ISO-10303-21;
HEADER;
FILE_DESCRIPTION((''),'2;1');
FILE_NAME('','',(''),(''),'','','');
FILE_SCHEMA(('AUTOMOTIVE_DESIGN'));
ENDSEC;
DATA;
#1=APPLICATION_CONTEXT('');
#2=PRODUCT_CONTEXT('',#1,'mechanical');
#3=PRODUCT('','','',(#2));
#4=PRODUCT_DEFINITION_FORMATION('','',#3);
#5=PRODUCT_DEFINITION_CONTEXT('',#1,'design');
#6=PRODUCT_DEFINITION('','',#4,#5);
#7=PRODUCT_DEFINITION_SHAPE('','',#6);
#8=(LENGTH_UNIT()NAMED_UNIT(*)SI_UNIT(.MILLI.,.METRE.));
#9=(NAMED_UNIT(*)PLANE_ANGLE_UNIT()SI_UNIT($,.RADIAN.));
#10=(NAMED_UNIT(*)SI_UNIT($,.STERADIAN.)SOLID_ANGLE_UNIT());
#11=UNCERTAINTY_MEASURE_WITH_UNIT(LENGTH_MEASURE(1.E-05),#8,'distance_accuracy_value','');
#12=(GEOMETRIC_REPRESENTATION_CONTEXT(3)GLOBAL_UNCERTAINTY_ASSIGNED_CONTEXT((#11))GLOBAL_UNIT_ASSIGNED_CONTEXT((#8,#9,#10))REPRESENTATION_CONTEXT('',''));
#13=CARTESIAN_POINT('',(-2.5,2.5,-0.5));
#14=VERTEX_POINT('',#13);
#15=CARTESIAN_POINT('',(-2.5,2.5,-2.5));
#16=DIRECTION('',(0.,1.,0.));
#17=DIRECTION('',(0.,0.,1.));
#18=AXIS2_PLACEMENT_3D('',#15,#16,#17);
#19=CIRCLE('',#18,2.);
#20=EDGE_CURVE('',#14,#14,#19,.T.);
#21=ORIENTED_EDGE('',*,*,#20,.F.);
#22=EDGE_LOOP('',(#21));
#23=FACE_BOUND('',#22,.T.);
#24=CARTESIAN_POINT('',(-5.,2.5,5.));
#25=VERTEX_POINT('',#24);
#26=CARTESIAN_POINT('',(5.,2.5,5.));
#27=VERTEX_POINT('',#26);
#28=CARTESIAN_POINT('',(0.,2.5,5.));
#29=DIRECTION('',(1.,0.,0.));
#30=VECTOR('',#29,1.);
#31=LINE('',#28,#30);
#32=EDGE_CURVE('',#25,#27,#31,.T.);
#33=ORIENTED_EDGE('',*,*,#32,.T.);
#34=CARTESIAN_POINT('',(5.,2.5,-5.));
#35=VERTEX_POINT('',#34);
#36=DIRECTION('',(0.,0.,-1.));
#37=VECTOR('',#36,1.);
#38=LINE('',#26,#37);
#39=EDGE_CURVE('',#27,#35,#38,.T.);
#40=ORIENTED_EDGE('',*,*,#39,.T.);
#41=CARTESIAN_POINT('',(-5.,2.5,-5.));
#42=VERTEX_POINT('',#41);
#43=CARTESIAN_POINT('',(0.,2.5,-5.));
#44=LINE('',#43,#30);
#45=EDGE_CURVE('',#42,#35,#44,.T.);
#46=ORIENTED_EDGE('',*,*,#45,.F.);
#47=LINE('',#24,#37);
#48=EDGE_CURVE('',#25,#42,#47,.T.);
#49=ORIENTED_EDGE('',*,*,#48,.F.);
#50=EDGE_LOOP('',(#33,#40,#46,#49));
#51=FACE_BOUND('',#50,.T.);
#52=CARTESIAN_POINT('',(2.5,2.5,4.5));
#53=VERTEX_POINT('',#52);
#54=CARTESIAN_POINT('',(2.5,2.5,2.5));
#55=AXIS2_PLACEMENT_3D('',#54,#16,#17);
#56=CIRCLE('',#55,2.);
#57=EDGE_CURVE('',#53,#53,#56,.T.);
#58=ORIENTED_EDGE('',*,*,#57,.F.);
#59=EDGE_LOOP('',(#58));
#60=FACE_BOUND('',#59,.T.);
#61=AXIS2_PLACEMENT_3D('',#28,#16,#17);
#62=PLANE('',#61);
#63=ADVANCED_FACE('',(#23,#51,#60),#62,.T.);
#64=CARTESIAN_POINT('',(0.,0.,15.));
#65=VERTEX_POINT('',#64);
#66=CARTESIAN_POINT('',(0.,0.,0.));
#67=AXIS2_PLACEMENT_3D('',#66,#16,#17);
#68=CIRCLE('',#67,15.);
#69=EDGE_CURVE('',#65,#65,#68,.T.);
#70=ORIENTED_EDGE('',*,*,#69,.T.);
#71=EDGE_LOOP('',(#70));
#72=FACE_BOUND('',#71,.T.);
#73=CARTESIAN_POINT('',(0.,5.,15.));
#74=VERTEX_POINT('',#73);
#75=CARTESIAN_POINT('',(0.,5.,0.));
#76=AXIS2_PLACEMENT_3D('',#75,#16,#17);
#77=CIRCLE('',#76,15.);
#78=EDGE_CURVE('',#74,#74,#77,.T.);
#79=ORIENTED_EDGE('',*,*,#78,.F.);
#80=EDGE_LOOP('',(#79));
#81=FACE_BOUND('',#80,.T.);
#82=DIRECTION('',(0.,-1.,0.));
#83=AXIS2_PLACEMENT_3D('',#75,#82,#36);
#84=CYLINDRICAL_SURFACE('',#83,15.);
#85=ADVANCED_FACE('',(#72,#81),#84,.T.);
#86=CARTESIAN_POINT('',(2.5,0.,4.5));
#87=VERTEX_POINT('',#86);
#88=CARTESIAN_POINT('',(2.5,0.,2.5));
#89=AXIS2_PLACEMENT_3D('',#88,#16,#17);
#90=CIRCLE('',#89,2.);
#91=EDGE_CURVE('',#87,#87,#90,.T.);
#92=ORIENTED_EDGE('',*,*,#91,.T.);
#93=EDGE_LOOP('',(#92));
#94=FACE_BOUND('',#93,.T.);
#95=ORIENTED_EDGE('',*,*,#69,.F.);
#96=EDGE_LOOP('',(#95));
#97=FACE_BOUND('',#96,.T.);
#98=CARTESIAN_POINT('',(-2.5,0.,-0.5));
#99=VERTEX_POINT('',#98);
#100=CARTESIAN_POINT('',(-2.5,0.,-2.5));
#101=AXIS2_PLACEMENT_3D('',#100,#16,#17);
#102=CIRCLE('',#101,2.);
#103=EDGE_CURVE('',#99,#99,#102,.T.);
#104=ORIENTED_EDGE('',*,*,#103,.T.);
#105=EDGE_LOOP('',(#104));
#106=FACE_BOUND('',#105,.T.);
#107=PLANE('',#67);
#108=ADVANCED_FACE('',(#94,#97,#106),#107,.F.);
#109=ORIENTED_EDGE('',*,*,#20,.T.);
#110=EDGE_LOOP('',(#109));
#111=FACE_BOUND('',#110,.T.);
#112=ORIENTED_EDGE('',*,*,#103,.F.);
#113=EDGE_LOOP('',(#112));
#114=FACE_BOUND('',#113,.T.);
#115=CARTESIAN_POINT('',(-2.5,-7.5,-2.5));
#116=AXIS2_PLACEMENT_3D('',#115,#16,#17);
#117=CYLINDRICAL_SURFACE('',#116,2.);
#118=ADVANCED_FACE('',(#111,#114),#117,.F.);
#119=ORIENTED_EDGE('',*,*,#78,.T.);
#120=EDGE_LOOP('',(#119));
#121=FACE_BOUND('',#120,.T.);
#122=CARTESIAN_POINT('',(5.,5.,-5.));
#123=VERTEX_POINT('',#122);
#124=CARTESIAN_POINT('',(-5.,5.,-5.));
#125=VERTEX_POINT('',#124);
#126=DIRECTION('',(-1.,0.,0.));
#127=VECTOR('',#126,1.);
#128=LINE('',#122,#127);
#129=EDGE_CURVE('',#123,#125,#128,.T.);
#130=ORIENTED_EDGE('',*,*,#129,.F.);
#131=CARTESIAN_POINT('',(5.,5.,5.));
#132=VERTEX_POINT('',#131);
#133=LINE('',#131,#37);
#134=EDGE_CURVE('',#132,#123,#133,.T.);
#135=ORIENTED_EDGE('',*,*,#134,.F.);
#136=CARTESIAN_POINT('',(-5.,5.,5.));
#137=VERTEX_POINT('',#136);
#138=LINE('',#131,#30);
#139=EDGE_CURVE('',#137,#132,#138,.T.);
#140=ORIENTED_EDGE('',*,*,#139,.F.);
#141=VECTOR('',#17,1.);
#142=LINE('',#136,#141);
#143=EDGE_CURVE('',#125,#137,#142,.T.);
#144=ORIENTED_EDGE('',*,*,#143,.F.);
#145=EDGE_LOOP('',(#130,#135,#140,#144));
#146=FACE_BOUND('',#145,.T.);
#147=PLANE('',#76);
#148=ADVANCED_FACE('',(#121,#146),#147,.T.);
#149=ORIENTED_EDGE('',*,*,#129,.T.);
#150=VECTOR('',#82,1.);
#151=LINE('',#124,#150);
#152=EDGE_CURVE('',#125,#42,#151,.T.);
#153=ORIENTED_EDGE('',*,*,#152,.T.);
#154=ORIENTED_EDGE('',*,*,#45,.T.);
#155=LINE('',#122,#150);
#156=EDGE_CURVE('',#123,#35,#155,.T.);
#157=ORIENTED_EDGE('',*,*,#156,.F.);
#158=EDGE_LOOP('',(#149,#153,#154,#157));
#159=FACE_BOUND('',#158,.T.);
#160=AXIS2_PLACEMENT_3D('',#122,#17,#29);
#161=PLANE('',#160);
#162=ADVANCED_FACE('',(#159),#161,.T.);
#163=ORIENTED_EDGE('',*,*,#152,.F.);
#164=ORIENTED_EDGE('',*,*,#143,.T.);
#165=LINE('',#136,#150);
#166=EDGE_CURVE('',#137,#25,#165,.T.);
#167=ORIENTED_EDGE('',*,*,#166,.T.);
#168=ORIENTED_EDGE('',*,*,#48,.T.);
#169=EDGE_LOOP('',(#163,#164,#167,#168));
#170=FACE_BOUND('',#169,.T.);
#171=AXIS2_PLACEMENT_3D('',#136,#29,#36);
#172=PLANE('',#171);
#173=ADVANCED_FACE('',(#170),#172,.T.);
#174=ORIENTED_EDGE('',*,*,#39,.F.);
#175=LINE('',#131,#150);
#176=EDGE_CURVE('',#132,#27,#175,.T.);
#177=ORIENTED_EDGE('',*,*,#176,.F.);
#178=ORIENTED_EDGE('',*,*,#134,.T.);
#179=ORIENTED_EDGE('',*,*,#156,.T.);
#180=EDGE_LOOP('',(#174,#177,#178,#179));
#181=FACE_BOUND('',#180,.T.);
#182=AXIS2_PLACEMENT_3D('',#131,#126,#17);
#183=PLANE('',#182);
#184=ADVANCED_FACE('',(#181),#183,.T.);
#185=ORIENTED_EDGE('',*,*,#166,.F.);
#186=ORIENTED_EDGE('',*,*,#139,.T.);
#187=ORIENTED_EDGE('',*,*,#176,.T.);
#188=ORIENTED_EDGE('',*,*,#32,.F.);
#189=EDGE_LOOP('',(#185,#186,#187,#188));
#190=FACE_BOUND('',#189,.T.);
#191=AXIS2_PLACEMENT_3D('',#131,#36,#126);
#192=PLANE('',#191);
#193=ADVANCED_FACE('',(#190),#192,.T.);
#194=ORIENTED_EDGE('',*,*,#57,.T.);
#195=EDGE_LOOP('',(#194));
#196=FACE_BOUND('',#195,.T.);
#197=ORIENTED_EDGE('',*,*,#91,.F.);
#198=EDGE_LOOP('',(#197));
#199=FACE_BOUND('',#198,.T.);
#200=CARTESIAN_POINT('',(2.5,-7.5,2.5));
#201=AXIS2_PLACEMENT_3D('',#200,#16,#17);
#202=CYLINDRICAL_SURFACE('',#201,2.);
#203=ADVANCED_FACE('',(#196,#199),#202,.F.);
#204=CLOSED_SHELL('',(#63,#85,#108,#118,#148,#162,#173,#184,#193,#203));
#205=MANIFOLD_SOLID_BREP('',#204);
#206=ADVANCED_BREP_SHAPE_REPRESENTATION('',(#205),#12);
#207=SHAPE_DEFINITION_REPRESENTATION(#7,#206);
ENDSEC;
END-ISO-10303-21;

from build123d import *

# Parameters (mm, degrees)
SKETCH1_R           = 15
SKETCH1_W           = 10
SKETCH1_H           = 10
BOSS_EXTRUDE1_DEPTH = 5
SKETCH2_W           = 10
SKETCH2_H           = 2.5
BOSS_EXTRUDE2_DEPTH = 10
SKETCH3_R           = 2
CUT_EXTRUDE1_DEPTH  = 10


with BuildPart() as part:
    # Sketch1 → Boss-Extrude1 (new body)
    with BuildSketch(Plane(origin=(0, 0, 0), x_dir=(1, 0, 0), z_dir=(0, 1, 0))):
        Circle(SKETCH1_R)
        Rectangle(SKETCH1_W, SKETCH1_H, mode=Mode.SUBTRACT)
    extrude(amount=BOSS_EXTRUDE1_DEPTH)

    # Sketch2 → Boss-Extrude2 (add)
    with BuildSketch(Plane.XY.offset(-5)):
        with Locations((0, 1.25)):
            Rectangle(SKETCH2_W, SKETCH2_H)
    extrude(amount=BOSS_EXTRUDE2_DEPTH)

    # Sketch3 → Cut-Extrude1 (cut)
    with BuildSketch(Plane(origin=(0, 2.5, 0), x_dir=(1, 0, 0), z_dir=(0, 1, 0))):
        with Locations((-2.5, 2.5)):
            Circle(SKETCH3_R)
        with Locations((2.5, -2.5)):
            Circle(SKETCH3_R)
    extrude(amount=-CUT_EXTRUDE1_DEPTH, mode=Mode.SUBTRACT)


solid = part.part
